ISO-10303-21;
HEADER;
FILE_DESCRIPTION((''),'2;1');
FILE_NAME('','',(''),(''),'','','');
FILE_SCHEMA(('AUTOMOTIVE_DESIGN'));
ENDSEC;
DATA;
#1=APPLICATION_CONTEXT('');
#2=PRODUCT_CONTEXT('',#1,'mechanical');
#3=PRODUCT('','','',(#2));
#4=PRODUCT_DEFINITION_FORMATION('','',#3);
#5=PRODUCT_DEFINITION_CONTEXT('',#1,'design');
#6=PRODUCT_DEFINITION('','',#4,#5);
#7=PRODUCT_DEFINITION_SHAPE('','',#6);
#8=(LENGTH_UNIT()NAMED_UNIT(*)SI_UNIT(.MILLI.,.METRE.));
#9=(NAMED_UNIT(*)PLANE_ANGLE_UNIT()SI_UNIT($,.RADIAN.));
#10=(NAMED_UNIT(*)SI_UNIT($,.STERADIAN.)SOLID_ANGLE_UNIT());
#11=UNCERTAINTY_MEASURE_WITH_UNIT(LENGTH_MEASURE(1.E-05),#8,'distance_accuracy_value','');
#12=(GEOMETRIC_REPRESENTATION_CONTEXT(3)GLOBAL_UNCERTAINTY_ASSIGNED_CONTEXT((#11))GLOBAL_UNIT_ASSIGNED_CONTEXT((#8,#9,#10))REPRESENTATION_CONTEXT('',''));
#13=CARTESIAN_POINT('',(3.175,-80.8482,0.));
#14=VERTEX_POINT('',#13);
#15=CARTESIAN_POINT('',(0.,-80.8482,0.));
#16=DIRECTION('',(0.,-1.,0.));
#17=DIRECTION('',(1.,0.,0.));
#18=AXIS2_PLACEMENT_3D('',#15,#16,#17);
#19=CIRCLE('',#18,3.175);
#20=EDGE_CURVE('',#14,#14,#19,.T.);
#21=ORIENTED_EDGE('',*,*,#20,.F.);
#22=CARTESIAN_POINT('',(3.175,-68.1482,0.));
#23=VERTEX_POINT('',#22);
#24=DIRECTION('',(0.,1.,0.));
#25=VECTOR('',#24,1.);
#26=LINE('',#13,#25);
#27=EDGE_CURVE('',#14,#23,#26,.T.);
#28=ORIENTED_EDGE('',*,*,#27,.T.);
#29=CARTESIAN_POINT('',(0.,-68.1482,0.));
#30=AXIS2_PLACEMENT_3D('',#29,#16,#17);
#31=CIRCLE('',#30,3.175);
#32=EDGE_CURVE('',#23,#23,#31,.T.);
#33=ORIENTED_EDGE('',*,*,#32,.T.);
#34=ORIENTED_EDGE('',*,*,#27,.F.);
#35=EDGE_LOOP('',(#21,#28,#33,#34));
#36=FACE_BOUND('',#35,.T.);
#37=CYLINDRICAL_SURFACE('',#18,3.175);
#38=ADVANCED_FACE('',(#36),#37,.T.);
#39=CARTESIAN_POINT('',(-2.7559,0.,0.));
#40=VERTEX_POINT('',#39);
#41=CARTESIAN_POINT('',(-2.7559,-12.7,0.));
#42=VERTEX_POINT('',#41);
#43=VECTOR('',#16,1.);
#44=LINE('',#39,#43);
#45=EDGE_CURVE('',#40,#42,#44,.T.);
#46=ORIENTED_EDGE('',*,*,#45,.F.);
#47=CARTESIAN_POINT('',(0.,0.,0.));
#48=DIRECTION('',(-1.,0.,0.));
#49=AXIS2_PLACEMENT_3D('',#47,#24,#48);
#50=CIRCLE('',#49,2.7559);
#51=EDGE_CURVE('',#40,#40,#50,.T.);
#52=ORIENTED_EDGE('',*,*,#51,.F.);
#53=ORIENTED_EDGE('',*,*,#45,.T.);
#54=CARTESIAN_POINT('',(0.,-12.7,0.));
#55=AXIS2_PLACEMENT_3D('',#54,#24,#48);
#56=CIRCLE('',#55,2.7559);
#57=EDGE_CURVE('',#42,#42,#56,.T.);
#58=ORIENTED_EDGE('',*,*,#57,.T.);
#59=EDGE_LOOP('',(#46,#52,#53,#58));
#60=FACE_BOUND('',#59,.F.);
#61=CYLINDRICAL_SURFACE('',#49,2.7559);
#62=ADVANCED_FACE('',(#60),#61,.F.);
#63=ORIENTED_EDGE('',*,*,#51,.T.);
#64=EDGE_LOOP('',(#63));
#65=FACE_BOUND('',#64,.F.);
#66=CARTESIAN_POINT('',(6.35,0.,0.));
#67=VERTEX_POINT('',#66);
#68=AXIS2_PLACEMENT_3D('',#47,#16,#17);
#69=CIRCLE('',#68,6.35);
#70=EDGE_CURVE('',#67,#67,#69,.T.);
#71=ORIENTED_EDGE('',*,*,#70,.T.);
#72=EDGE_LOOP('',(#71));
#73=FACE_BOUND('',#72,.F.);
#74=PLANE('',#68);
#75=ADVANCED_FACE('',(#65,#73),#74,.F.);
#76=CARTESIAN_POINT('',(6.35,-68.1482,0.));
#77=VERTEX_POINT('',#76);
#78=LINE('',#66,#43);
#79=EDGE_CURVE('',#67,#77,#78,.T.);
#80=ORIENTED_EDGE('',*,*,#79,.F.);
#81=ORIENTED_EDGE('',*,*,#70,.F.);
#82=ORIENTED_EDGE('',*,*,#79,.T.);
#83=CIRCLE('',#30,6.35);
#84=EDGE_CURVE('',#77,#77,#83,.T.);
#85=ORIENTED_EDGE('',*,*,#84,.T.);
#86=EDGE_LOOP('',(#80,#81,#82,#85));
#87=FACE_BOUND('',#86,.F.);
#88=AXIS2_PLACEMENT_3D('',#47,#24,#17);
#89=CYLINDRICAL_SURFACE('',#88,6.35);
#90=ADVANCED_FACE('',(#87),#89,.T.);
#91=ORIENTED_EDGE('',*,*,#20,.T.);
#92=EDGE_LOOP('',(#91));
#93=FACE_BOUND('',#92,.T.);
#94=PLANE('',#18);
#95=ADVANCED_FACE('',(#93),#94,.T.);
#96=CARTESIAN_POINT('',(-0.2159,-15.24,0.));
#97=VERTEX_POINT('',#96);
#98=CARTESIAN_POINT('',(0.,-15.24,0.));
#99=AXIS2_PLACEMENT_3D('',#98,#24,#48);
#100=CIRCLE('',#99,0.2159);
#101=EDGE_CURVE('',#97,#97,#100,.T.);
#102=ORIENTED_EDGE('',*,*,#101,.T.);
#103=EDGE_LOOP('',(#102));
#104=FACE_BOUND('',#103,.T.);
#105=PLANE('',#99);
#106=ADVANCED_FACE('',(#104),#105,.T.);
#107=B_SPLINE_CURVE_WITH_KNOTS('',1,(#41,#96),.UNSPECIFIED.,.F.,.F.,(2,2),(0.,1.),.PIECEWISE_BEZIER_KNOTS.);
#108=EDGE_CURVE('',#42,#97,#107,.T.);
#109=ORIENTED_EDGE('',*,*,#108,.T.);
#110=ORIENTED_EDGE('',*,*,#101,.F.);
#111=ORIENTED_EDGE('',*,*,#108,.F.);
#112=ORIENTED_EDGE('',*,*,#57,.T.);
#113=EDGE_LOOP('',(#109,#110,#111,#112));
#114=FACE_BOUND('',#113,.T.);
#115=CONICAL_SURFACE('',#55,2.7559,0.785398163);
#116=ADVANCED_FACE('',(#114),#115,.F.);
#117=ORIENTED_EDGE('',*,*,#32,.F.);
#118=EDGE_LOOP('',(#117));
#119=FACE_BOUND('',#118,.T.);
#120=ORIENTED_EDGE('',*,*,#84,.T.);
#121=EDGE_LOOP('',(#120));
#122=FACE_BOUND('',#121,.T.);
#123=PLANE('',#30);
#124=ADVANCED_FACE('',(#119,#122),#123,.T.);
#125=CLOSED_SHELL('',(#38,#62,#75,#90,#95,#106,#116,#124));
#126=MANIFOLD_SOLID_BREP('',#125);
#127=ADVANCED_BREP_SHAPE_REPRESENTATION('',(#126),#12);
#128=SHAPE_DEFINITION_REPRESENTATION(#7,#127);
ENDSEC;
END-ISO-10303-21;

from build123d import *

# Parameters (mm, degrees)
F0_R     = 6.35
F1_DEPTH = 80.8482
F2_R     = 6.35
F2_R_2   = 3.175
F3_DEPTH = 12.7
F4_R     = 2.7559
F5_DEPTH = 12.7
F6_R     = 2.7559
F7_DEPTH = 2.54
F7_TAPER = 45


with BuildPart() as f1:
    # F0 (on Front) → F1 (new body)
    with BuildSketch(Plane.XZ):
        Circle(F0_R)
    extrude(amount=F1_DEPTH)

    # F2 (on face) → F3 (cut)
    with BuildSketch(Plane.XZ.offset(80.8482)):
        Circle(F2_R)
        Circle(F2_R_2, mode=Mode.SUBTRACT)
    extrude(amount=-F3_DEPTH, mode=Mode.SUBTRACT)

    # F4 (on face) → F5 (cut)
    with BuildSketch(Plane(origin=(0, 0, 0), x_dir=(-1, 0, 0), z_dir=(0, 1, 0))):
        Circle(F4_R)
    extrude(amount=-F5_DEPTH, mode=Mode.SUBTRACT)

    # F6 (on face) → F7 (cut)
    with BuildSketch(Plane(origin=(0, -12.7, 0), x_dir=(-1, 0, 0), z_dir=(0, 1, 0))):
        Circle(F6_R)
    extrude(amount=-F7_DEPTH, taper=F7_TAPER, mode=Mode.SUBTRACT)


solid = f1.part
